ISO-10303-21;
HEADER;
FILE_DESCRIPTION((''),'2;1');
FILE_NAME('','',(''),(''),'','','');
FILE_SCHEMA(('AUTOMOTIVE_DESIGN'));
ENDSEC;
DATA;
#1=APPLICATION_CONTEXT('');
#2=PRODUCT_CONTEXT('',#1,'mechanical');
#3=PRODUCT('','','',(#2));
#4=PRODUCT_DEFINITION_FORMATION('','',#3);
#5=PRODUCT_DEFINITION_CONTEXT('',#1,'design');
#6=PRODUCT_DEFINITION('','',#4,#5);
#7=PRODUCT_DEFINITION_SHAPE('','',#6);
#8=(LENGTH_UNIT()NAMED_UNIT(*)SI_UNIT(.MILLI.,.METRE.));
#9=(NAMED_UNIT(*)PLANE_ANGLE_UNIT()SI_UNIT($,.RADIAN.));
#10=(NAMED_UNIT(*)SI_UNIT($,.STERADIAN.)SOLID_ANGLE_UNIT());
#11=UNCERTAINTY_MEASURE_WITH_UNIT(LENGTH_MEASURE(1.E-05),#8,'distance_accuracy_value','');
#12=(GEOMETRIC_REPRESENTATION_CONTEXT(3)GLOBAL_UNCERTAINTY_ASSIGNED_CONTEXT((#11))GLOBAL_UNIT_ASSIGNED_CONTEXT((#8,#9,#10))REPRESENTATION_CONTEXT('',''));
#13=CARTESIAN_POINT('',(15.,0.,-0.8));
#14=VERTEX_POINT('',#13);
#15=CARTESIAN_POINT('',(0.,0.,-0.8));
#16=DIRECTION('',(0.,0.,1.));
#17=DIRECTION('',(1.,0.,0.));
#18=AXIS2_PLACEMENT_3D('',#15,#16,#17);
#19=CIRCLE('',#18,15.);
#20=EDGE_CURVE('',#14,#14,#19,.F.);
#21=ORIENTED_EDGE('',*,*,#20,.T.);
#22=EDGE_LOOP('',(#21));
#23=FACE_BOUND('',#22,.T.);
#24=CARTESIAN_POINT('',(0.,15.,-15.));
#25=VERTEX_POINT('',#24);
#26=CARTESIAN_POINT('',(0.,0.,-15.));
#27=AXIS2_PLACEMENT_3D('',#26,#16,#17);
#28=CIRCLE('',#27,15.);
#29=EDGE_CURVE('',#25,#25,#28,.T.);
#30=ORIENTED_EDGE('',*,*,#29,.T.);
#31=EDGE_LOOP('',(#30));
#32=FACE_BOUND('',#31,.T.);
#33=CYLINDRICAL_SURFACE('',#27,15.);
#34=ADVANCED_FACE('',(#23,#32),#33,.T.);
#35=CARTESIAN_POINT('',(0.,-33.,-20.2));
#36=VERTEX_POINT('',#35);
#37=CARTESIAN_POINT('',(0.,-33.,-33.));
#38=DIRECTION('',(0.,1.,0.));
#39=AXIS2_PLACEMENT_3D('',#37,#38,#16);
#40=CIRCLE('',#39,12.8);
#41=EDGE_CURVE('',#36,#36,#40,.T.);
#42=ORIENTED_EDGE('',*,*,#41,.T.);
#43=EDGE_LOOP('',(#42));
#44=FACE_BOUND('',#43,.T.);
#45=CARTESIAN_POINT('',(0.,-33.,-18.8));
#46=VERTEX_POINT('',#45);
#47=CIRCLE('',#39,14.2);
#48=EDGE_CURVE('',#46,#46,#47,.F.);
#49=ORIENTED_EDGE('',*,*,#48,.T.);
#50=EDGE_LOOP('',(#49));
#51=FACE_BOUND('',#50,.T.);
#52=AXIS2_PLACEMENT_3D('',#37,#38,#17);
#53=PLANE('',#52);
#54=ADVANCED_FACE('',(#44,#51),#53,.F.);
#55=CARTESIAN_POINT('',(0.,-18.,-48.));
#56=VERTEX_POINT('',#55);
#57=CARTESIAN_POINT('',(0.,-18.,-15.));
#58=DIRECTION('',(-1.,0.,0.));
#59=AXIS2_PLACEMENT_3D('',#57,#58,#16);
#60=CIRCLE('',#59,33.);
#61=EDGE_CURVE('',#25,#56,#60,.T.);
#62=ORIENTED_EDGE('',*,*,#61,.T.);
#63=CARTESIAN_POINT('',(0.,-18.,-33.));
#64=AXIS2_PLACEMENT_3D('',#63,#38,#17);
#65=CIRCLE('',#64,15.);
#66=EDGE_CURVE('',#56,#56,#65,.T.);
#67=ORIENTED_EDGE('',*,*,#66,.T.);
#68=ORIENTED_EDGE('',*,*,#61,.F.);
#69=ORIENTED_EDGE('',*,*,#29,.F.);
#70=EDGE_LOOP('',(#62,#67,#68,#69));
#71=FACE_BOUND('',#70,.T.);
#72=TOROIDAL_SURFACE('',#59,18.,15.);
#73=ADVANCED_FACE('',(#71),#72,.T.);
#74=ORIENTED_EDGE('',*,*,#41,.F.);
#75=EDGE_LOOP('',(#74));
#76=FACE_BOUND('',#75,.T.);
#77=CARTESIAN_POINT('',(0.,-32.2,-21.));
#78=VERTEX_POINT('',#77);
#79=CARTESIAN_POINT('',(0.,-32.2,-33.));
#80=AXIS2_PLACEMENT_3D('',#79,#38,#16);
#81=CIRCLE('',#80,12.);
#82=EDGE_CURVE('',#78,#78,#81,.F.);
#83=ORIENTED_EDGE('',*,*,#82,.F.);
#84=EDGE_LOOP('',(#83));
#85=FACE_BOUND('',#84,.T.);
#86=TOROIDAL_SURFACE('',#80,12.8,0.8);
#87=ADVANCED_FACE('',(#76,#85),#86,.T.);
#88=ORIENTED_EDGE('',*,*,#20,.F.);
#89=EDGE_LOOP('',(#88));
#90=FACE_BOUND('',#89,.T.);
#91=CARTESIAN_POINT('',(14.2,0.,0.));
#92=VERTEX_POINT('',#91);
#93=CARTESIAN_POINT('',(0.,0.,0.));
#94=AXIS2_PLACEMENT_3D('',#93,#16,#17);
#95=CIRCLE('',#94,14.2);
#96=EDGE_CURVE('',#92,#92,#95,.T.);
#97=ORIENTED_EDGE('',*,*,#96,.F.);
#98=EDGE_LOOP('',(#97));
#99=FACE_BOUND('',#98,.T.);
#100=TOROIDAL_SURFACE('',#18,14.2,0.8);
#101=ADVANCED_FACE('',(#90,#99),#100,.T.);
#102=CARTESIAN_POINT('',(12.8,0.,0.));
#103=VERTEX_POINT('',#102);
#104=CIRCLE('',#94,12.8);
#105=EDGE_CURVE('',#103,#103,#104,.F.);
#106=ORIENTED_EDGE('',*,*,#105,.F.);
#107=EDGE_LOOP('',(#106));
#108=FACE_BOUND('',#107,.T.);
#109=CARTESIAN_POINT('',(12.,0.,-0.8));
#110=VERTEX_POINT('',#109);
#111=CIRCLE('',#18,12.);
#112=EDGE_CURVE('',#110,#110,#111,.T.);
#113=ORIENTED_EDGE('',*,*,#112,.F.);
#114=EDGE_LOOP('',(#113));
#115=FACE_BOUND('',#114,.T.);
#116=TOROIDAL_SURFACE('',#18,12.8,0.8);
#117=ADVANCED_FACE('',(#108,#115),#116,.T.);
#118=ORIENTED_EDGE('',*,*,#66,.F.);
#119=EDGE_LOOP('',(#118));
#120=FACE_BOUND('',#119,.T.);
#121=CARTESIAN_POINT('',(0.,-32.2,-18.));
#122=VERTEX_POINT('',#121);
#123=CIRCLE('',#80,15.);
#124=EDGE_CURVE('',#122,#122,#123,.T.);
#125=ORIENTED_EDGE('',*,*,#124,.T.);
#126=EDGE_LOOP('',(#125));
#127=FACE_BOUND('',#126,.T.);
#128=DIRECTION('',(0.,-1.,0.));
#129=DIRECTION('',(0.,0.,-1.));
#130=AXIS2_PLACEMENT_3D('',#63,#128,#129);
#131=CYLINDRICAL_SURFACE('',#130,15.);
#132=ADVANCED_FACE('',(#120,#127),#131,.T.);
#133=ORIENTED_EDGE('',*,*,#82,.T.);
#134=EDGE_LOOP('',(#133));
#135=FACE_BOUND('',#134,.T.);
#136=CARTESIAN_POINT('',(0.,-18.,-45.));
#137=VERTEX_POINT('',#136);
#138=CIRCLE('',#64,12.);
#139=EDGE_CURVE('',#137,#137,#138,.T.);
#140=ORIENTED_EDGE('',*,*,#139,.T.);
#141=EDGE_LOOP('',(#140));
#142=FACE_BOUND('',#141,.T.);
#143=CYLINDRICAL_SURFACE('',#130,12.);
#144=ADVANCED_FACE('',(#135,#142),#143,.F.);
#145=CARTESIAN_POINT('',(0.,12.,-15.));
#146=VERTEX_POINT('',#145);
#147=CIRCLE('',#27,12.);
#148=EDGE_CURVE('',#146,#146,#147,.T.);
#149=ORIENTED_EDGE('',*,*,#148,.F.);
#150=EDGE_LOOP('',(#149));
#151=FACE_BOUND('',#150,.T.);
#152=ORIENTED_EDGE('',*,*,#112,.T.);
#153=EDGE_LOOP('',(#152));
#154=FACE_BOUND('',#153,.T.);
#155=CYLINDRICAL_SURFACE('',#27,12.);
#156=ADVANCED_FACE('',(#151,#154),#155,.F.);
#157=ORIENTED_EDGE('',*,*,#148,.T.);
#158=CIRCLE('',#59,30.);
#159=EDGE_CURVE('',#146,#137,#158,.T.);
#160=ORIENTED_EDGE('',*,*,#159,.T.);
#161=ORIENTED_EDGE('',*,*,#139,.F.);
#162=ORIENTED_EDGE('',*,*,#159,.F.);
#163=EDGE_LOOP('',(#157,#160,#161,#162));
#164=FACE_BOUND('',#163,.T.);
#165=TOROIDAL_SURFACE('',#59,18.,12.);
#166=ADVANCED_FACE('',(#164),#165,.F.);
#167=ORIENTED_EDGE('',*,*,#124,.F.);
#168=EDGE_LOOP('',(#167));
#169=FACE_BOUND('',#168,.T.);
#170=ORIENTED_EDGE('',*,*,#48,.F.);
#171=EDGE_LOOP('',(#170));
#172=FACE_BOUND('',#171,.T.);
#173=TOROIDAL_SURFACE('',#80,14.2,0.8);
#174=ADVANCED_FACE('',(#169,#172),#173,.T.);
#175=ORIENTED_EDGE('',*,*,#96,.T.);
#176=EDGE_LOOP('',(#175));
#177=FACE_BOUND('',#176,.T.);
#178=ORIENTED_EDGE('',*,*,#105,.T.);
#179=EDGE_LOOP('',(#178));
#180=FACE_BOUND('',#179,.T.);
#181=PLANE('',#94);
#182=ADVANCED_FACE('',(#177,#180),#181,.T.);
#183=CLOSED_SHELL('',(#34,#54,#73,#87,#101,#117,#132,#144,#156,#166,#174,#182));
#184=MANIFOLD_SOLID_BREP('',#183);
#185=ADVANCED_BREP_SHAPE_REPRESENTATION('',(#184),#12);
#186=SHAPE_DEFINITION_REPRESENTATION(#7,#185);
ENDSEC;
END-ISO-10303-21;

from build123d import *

# Parameters (mm, degrees)
SKETCH1_R   = 15
SKETCH1_R_2 = 12
FILLET4_R   = 0.8
FILLET5_R   = 0.8


with BuildPart() as part:
    # Sweep3: sweep along a path in Sketch2
    with BuildLine(Plane(origin=(0, 0, 0), x_dir=(0, 0, -1), z_dir=(1, 0, 0))) as sweep3_path:
        Line((0, 0), (15, 0))
        ThreePointArc((15, 0), (27.727922061, -5.272077939), (33, -18))
        Line((33, -18), (33, -33))
    # Sketch1 → Sweep3 (sweep)
    with BuildSketch(Plane.XY):
        Circle(SKETCH1_R)
        Circle(SKETCH1_R_2, mode=Mode.SUBTRACT)
    sweep(path=sweep3_path.line)

    # Fillet4
    fillet4_edges = [part.edges().sort_by_distance(p)[0] for p in [
        (-15, 0, 0),
        (-12, 0, 0),
    ]]
    fillet(fillet4_edges, radius=FILLET4_R)

    # Fillet5
    fillet5_edges = [part.edges().sort_by_distance(p)[0] for p in [
        (-12, -33, -33),
        (-15, -33, -33),
    ]]
    fillet(fillet5_edges, radius=FILLET5_R)


solid = part.part
